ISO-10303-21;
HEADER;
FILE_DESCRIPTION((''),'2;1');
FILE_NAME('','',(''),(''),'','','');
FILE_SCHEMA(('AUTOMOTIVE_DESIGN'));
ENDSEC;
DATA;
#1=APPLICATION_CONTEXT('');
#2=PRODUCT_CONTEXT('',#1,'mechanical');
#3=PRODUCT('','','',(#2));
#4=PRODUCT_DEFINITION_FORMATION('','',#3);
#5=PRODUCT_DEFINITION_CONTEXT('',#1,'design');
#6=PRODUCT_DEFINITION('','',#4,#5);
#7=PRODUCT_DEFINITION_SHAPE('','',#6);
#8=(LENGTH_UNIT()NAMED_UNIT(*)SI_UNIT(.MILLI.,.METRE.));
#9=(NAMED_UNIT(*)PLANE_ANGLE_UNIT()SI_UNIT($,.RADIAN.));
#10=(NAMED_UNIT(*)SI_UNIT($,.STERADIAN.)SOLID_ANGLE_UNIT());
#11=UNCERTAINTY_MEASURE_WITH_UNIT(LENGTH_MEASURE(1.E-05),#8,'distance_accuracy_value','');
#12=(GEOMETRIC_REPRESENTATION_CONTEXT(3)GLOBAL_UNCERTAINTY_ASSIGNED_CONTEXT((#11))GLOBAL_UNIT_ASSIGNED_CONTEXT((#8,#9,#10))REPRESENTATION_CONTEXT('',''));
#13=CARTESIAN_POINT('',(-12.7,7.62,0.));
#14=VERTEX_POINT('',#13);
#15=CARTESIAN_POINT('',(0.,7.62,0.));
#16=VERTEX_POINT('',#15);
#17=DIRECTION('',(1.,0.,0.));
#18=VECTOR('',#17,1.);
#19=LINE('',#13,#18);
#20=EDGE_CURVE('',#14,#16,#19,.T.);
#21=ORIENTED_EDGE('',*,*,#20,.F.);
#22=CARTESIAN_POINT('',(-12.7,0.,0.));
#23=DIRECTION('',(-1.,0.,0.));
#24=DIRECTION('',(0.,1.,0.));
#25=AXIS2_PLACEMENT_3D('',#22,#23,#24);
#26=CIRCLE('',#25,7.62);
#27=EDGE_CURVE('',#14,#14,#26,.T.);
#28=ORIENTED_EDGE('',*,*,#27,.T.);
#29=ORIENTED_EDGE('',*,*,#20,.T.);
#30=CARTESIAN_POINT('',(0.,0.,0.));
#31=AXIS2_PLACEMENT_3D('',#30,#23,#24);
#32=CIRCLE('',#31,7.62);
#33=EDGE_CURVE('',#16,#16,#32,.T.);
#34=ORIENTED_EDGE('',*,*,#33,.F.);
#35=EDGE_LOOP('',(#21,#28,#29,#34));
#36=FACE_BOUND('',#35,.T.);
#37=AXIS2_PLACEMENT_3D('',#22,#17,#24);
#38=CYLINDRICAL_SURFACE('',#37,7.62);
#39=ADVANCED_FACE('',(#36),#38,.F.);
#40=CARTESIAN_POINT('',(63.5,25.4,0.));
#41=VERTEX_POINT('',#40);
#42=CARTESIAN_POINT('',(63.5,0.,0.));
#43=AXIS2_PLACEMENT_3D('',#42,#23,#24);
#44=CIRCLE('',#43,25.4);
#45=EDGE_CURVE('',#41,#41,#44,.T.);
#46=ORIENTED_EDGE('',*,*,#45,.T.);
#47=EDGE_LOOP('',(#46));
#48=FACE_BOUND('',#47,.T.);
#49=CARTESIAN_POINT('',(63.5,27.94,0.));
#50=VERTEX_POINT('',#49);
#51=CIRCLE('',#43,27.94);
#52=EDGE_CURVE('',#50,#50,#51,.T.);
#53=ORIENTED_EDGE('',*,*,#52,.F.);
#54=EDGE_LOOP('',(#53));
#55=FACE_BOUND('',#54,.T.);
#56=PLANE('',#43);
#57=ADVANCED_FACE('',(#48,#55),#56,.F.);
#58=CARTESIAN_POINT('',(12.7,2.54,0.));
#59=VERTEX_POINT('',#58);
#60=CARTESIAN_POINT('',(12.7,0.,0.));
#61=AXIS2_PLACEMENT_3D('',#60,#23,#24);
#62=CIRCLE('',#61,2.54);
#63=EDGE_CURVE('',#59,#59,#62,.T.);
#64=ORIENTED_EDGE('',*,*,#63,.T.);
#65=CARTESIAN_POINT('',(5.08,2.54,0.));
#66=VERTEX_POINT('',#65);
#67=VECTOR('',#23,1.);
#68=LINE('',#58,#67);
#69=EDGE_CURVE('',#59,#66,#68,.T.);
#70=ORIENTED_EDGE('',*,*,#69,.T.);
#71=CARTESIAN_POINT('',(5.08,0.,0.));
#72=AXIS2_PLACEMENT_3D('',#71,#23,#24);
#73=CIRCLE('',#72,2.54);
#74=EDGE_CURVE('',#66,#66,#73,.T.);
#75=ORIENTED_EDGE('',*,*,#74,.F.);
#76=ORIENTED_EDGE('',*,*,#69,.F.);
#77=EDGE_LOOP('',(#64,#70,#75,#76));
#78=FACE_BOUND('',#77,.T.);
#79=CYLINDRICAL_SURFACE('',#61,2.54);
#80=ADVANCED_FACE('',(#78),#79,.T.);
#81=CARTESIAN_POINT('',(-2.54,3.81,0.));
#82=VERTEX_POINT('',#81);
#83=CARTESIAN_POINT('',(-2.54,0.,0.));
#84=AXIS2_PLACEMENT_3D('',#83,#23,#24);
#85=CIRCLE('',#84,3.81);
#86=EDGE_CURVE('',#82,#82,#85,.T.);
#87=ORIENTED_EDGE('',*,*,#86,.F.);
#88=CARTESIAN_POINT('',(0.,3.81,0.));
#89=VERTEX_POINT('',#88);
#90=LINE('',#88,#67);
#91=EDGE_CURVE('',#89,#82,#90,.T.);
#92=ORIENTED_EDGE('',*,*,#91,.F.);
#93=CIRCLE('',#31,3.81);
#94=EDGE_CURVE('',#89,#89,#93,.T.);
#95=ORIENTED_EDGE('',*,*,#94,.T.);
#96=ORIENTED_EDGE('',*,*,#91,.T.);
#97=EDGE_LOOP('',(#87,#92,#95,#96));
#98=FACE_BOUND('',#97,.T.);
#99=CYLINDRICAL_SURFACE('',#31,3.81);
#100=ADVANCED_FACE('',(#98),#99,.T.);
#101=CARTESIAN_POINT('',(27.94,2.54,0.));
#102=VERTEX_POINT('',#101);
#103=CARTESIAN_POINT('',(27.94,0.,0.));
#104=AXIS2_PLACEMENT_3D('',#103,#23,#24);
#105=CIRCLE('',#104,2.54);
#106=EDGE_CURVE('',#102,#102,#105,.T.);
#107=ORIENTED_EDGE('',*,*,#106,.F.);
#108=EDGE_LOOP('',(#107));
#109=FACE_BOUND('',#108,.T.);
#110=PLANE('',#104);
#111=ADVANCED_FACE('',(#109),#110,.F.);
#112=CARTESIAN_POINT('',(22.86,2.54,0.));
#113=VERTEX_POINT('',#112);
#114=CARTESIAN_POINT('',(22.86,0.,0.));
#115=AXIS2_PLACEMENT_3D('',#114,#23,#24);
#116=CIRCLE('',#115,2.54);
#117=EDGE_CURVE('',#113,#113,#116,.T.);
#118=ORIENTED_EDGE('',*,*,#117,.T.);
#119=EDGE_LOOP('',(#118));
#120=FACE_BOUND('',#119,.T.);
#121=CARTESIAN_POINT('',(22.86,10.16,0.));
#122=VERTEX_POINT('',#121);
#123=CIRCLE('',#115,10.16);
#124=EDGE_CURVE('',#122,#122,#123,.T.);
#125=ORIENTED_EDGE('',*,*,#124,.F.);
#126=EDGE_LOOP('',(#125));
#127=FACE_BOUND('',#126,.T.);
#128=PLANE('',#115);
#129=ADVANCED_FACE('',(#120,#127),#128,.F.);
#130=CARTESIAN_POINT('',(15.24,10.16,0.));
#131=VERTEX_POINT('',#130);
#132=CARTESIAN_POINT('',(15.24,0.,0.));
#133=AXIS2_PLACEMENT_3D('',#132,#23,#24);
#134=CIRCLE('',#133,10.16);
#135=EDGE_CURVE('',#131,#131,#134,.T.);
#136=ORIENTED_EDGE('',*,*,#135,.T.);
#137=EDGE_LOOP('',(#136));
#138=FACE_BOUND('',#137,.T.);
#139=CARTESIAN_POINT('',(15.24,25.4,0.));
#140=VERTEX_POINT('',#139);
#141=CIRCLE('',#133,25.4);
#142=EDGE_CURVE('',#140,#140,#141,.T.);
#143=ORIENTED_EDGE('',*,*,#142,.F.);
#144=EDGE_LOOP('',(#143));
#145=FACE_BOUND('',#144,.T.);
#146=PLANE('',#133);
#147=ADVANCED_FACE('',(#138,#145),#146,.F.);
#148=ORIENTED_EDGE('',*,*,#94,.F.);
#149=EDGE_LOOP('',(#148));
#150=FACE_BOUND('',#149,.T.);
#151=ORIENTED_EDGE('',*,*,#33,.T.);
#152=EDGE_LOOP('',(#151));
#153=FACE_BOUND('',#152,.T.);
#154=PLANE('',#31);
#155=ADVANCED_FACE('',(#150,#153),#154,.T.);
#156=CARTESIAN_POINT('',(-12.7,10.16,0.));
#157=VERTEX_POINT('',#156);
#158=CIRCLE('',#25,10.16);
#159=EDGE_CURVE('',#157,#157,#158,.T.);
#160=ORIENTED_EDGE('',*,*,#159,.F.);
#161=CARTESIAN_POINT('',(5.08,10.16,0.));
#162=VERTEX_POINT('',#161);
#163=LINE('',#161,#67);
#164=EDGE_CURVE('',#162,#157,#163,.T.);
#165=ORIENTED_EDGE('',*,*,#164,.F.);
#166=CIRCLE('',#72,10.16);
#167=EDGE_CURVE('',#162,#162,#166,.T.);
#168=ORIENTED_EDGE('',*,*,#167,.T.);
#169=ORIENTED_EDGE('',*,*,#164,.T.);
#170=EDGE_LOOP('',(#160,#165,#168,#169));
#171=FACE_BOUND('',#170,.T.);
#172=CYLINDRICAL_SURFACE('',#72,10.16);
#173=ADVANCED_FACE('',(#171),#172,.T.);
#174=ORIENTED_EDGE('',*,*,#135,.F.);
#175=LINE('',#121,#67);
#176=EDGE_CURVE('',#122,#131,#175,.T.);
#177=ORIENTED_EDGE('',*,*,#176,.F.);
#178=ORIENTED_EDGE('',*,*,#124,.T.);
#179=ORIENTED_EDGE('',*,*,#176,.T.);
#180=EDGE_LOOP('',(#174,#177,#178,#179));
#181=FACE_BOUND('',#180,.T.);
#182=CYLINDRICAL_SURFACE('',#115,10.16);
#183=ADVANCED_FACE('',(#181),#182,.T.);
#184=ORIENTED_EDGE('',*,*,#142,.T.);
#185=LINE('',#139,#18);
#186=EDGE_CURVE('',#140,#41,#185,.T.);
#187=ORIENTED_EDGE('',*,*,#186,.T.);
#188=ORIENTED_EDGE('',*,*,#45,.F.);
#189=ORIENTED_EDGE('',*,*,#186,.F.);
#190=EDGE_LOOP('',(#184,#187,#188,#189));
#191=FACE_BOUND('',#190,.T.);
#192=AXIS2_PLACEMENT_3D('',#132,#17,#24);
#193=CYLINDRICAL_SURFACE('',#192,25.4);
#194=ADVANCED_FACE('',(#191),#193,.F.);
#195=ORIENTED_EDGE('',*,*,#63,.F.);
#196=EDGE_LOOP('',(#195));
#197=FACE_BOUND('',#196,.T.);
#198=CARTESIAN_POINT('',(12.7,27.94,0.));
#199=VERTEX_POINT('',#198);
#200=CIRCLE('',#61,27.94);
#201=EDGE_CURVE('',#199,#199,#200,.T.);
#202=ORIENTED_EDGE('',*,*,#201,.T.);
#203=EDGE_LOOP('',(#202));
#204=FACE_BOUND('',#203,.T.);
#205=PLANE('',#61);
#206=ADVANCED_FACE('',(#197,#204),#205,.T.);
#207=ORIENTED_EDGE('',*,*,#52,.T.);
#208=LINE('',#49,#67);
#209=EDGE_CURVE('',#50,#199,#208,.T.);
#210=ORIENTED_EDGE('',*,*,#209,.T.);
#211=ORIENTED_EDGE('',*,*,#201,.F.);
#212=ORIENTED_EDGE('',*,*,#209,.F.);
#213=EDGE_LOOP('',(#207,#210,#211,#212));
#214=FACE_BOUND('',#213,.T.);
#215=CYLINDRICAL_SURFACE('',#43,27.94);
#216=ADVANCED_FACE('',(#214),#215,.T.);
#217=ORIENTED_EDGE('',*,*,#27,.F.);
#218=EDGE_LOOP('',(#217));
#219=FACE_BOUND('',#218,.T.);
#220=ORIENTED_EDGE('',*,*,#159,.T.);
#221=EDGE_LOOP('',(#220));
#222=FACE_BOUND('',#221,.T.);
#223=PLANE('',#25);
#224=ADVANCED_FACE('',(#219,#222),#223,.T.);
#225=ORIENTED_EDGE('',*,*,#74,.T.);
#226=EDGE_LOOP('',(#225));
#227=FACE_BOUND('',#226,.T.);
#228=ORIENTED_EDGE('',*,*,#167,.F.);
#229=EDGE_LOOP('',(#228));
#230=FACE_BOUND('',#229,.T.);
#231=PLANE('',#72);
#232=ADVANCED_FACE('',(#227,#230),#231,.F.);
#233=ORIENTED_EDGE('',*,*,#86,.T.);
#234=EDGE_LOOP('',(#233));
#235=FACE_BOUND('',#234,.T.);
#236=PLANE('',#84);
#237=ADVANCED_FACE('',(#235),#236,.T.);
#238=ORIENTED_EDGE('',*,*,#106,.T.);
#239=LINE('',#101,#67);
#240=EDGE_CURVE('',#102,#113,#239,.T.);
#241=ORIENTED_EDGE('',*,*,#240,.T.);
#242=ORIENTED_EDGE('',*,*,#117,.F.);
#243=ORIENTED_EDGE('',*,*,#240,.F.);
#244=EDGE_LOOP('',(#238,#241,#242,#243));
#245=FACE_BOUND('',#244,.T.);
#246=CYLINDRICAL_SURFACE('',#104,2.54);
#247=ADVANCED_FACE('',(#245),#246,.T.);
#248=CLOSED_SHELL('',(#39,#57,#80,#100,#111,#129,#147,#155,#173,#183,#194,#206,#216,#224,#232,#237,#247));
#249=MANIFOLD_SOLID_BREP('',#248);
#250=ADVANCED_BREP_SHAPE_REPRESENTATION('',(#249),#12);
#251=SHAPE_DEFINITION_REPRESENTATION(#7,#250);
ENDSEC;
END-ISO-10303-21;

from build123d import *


with BuildPart() as f1:
    # F0 (on Top) → F1 (revolve)
    with BuildSketch(Plane.XY):
        Polygon((5.08, 10.16), (0, 10.16), (-12.7, 10.16), (-12.7, 7.62), (0, 7.62), (0, 3.81), (-2.54, 3.81), (-2.54, 0), (0, 0), (15.24, 0), (27.94, 0), (27.94, 2.54), (22.86, 2.54), (22.86, 10.16), (15.24, 10.16), (15.24, 25.4), (63.5, 25.4), (63.5, 27.94), (12.7, 27.94), (12.7, 2.54), (5.08, 2.54), align=None)
    revolve(axis=Axis((7.62, 0, 0), (-1, 0, 0)))


solid = f1.part
